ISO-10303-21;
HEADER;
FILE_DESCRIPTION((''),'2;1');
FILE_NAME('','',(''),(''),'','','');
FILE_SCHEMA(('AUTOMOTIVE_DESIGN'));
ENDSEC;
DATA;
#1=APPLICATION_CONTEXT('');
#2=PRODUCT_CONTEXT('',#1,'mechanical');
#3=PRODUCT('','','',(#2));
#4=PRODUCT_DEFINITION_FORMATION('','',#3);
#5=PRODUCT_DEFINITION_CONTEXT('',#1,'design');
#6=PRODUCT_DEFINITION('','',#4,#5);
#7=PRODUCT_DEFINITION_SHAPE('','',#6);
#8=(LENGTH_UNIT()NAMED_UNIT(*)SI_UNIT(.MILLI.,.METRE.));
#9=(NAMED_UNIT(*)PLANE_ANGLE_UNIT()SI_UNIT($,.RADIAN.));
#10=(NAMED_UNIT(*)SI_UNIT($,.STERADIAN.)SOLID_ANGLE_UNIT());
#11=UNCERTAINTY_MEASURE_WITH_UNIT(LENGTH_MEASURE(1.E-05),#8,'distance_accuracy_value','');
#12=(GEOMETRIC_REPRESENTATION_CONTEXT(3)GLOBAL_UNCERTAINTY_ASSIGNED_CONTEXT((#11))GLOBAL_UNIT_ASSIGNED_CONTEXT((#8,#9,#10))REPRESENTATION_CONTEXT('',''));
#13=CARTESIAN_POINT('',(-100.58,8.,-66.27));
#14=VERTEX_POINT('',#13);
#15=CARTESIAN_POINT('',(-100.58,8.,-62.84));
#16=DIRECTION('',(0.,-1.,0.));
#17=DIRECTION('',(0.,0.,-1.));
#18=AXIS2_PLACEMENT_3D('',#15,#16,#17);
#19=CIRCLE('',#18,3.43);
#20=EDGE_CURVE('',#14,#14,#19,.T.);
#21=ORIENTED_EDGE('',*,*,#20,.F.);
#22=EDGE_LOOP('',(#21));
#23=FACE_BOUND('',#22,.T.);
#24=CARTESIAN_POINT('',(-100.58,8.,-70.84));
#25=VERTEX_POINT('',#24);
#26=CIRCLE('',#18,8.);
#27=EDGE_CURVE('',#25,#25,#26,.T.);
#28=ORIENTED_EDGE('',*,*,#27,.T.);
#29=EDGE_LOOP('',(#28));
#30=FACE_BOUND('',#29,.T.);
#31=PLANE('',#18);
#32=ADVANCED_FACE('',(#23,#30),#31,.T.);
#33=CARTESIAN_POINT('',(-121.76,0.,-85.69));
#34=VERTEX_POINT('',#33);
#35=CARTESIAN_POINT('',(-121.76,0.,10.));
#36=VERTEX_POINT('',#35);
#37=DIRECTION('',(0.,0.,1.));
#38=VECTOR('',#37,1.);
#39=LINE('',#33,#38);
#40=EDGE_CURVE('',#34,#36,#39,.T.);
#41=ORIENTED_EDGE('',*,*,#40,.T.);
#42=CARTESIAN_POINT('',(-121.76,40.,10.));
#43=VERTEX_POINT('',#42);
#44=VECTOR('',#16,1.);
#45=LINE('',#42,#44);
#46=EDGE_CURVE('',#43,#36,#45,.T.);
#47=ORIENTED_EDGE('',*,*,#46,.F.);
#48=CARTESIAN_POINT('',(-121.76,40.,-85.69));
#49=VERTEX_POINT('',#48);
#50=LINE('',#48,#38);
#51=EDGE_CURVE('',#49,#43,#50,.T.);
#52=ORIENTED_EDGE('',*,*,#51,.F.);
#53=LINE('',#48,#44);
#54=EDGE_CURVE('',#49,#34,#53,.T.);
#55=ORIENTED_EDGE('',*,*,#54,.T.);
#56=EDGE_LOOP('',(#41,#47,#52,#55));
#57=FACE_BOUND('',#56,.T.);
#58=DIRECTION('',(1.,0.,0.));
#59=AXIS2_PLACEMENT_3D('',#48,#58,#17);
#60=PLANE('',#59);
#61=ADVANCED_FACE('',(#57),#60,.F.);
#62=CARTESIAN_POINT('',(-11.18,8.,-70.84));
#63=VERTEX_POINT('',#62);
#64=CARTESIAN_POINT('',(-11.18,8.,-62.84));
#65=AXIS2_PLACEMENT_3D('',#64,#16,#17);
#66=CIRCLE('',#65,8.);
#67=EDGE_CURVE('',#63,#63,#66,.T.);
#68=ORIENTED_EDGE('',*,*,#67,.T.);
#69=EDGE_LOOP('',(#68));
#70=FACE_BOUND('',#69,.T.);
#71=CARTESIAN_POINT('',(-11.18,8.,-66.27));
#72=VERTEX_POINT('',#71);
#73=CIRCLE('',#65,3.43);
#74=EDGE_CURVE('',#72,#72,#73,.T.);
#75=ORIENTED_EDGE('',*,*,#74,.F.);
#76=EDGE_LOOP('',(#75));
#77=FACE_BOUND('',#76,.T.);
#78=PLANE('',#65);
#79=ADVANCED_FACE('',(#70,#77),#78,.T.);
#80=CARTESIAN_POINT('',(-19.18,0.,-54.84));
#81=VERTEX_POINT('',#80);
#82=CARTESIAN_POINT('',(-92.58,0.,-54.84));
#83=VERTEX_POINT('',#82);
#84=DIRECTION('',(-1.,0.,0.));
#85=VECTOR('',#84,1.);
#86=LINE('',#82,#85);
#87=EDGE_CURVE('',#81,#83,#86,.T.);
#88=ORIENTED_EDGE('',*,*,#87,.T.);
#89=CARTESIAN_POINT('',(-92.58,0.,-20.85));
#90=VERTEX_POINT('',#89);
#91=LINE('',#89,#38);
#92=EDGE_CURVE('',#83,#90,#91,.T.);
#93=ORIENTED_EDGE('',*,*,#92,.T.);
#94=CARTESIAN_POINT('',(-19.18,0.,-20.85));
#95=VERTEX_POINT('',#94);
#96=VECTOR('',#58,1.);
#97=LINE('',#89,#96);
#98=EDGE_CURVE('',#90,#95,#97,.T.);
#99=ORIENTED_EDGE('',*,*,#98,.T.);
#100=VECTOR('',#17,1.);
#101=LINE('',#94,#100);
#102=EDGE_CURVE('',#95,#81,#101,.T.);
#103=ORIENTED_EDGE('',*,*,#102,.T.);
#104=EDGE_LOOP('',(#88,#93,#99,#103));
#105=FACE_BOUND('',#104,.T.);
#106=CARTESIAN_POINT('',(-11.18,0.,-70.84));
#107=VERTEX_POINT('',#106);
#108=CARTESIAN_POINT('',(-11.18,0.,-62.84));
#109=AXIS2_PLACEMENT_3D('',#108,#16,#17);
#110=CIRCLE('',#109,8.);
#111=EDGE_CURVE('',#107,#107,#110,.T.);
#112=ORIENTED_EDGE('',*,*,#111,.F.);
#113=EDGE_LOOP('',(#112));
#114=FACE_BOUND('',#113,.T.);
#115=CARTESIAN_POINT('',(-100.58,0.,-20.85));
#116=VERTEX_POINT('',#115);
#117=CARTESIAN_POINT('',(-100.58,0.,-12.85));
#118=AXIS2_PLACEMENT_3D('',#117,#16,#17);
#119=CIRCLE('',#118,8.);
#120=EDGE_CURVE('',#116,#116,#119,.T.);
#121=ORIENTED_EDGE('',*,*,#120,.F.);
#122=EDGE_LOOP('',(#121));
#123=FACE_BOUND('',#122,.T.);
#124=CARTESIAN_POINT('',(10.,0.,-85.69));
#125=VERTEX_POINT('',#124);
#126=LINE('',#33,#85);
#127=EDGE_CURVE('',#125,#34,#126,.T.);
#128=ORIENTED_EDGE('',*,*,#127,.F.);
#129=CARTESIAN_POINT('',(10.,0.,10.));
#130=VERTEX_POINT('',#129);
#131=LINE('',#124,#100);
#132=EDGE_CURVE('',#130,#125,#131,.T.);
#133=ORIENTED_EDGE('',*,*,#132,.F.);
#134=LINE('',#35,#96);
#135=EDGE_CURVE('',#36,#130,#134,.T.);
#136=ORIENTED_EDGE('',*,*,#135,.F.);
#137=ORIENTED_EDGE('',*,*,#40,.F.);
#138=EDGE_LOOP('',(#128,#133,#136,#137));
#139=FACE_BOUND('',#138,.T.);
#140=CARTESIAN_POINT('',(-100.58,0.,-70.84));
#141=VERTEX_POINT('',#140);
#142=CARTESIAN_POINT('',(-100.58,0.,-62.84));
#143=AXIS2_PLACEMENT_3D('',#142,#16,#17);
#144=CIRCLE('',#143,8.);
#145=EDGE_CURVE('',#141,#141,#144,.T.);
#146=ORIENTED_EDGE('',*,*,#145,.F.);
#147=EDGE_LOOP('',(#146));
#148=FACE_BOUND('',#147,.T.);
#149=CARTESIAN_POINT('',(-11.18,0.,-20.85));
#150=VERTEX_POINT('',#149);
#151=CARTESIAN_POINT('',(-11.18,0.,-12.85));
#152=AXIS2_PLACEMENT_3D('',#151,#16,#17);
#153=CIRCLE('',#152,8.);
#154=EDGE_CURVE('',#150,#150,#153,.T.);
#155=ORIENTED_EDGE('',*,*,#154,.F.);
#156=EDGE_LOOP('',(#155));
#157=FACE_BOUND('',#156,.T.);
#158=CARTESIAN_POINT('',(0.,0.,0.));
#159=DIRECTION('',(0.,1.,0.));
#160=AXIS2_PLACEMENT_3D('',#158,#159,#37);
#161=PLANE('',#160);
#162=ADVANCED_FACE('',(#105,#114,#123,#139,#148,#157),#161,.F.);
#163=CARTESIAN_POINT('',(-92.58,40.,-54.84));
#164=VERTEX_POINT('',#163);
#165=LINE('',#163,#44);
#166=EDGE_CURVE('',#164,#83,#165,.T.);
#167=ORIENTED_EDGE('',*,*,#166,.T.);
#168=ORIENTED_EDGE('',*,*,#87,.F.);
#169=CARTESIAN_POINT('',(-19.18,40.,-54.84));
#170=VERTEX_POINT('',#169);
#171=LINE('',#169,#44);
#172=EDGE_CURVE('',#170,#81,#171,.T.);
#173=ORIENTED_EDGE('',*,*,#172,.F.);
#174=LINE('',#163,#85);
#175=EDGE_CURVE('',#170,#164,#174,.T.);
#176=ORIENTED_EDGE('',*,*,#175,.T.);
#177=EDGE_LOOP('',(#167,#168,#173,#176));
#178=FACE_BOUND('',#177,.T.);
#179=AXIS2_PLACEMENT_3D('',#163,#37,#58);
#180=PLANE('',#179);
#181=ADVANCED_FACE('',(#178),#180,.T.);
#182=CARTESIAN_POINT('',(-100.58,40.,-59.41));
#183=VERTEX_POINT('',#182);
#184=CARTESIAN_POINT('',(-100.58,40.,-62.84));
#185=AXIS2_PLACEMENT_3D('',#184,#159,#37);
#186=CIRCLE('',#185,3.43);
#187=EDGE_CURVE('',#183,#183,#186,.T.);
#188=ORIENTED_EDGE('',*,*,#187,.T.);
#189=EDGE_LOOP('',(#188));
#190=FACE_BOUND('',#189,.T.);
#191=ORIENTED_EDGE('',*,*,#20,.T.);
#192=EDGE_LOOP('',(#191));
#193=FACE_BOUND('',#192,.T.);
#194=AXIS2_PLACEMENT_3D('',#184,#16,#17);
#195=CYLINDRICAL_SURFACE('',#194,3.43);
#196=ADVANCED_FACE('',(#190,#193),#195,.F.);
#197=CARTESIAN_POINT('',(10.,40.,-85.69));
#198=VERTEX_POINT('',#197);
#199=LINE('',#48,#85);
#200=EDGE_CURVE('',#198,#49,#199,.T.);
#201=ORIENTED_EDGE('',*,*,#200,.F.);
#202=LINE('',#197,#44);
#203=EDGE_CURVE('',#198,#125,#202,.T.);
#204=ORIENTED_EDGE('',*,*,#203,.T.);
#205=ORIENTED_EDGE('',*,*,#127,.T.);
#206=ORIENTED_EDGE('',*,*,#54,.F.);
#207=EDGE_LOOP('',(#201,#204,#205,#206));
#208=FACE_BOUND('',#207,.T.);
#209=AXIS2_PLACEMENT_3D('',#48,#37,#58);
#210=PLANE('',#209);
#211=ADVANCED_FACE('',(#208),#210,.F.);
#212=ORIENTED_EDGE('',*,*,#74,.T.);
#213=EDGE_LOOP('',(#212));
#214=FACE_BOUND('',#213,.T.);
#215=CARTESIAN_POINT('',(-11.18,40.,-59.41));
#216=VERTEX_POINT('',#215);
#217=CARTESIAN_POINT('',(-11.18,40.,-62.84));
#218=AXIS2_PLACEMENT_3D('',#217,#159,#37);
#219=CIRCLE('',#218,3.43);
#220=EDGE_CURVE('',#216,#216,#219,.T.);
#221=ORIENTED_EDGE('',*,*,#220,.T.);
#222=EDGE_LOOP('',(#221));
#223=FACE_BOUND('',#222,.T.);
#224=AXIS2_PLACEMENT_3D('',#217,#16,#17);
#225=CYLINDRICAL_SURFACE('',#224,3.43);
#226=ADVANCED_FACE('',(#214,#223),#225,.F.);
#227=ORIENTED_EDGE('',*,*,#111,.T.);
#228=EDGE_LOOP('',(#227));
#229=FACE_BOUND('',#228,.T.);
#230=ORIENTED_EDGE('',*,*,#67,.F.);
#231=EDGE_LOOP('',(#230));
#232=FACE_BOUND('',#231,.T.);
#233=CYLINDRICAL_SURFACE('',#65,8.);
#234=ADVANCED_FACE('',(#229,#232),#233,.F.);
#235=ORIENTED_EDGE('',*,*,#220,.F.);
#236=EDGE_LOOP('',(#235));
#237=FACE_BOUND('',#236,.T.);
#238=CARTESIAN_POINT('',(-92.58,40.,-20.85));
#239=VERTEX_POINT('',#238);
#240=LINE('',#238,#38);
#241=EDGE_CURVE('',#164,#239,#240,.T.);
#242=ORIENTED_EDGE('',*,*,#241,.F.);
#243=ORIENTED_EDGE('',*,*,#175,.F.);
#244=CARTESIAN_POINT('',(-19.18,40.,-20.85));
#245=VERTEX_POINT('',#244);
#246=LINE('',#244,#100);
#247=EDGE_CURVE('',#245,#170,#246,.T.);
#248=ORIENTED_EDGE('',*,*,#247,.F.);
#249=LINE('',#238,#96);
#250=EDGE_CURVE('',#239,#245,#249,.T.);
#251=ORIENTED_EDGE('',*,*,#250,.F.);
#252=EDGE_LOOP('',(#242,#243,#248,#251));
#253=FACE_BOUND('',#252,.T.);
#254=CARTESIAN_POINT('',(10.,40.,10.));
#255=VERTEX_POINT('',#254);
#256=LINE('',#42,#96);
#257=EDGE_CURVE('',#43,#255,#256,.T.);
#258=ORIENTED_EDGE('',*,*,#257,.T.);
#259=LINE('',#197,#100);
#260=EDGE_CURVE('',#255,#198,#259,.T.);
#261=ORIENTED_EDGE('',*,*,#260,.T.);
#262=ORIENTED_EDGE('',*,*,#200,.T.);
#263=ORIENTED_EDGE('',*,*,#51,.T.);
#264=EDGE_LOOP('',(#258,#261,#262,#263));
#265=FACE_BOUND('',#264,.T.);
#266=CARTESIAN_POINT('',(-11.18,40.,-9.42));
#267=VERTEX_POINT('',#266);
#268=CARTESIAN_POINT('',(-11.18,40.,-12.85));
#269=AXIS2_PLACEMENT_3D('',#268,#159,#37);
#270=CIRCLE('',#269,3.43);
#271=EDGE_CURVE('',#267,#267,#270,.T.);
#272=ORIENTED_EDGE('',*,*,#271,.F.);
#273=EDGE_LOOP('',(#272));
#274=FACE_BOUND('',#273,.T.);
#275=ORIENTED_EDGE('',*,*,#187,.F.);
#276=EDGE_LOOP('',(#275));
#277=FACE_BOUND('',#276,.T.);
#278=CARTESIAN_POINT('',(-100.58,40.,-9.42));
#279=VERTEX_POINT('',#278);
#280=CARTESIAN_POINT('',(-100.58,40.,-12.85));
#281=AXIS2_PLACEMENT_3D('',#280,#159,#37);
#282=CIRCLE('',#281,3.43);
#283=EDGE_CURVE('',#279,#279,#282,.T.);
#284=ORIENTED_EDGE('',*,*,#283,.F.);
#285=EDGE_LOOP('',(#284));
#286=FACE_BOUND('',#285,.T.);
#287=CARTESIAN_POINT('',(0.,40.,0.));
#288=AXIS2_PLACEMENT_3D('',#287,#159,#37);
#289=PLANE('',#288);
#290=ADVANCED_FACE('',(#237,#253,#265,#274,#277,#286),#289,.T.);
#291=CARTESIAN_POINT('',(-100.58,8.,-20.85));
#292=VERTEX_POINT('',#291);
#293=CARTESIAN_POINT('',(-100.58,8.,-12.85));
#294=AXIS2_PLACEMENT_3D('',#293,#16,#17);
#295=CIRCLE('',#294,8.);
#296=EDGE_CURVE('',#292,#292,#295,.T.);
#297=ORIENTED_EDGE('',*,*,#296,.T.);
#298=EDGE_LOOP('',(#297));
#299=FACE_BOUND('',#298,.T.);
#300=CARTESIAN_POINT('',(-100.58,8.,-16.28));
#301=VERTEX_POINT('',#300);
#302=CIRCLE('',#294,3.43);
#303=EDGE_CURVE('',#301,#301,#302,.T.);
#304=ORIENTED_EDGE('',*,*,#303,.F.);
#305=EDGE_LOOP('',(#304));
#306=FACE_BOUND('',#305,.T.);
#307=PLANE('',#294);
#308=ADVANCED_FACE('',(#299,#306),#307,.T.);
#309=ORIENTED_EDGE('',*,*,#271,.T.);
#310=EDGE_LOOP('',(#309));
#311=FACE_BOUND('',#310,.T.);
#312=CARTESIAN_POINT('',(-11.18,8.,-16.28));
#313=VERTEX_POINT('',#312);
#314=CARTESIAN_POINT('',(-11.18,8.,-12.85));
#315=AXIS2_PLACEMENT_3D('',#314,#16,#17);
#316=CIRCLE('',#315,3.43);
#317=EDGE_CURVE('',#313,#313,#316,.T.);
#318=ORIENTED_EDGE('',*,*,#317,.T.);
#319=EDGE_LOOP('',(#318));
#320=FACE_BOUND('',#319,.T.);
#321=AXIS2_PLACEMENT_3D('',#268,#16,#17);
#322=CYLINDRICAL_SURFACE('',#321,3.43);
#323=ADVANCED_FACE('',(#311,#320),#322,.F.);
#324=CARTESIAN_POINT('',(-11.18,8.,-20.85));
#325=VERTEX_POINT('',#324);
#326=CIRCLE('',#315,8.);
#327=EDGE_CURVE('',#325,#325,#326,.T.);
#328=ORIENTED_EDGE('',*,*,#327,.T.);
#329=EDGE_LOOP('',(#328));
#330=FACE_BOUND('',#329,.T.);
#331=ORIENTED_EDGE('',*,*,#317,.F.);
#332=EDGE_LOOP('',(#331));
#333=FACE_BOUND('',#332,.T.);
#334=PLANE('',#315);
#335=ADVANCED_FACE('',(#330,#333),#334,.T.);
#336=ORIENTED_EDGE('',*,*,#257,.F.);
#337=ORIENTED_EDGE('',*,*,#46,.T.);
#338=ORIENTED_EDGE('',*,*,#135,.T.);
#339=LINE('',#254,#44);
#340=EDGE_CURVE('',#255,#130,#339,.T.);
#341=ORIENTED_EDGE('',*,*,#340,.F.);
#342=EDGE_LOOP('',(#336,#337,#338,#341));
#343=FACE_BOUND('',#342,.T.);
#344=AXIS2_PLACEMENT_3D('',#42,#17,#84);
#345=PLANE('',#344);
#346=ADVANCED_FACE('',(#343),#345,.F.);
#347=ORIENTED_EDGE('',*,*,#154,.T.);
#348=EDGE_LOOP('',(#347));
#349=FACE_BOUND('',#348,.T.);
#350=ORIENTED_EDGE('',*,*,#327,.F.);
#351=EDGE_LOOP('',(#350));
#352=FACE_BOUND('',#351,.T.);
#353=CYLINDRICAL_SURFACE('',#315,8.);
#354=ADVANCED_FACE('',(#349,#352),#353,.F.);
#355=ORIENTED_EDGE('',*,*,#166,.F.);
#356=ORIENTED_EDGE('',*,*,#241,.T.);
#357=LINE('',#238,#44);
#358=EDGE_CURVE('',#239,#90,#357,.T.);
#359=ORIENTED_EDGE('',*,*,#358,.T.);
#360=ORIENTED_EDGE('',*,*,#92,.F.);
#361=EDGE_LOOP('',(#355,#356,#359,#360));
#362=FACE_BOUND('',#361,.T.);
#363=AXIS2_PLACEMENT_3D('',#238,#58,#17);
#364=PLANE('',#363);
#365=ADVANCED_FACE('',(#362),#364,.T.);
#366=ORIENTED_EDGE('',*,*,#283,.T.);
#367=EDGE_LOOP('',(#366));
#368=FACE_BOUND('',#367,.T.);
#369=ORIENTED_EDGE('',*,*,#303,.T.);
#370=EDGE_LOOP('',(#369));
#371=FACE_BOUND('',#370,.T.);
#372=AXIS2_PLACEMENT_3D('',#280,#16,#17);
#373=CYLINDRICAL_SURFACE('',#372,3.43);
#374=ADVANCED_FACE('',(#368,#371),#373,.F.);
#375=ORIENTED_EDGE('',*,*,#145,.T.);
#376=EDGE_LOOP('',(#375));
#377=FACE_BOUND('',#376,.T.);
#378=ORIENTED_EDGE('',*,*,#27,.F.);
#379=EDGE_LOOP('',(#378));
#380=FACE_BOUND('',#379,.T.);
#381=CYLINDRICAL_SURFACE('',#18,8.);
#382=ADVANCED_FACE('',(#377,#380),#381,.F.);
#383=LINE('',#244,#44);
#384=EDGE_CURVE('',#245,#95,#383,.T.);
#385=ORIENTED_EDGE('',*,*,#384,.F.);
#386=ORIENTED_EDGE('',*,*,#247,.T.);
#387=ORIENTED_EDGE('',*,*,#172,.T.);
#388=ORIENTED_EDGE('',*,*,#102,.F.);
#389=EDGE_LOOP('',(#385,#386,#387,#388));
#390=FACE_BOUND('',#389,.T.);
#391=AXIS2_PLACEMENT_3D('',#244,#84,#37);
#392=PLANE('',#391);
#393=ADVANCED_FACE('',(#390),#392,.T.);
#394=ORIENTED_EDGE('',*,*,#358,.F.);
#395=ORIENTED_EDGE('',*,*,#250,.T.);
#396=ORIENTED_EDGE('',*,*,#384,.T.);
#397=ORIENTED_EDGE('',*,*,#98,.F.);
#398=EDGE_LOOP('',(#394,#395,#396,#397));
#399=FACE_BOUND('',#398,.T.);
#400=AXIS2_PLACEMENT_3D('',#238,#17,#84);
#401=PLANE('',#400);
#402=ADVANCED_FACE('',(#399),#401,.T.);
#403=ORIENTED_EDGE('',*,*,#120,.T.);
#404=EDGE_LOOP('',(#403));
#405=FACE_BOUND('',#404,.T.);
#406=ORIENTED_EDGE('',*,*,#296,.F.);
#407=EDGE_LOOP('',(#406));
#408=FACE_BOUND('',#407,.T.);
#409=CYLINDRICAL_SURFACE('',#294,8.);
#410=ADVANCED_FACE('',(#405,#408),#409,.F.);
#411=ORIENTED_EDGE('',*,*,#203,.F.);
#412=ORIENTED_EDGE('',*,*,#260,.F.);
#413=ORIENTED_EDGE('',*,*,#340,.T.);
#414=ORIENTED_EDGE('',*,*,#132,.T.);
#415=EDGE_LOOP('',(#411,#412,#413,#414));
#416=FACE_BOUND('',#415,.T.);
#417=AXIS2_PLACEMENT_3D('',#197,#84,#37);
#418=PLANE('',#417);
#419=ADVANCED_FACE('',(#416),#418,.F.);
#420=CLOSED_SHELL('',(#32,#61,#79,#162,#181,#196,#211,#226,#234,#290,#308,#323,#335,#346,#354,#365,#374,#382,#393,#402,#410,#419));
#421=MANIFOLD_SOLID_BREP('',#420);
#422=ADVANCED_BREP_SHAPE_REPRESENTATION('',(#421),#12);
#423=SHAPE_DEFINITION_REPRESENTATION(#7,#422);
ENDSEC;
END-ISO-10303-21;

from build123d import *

# Parameters (mm, degrees)
SKETCH8_W           = 131.76
SKETCH8_H           = 95.69
SKETCH8_R           = 3.43
SKETCH8_W_2         = 73.4
SKETCH8_H_2         = 33.99
BOSS_EXTRUDE4_DEPTH = 40
SKETCH9_R           = 8
CUT_EXTRUDE2_DEPTH  = 8


with BuildPart() as part:
    # Sketch8 → Boss-Extrude4 (new body)
    with BuildSketch(Plane(origin=(0, 0, 0), x_dir=(1, 0, 0), z_dir=(0, 1, 0))):
        with Locations((-55.88, 37.845)):
            Rectangle(SKETCH8_W, SKETCH8_H)
        with Locations((-100.58, 12.85)):
            Circle(SKETCH8_R, mode=Mode.SUBTRACT)
        with Locations((-100.58, 62.84)):
            Circle(SKETCH8_R, mode=Mode.SUBTRACT)
        with Locations((-11.18, 62.84)):
            Circle(SKETCH8_R, mode=Mode.SUBTRACT)
        with Locations((-11.18, 12.85)):
            Circle(SKETCH8_R, mode=Mode.SUBTRACT)
        with Locations((-55.88, 37.845)):
            Rectangle(SKETCH8_W_2, SKETCH8_H_2, mode=Mode.SUBTRACT)
    extrude(amount=BOSS_EXTRUDE4_DEPTH)

    # Sketch9 → Cut-Extrude2 (cut)
    with BuildSketch(Plane.XZ):
        with Locations((-100.58, -12.85)):
            Circle(SKETCH9_R)
        with Locations((-11.18, -12.85)):
            Circle(SKETCH9_R)
        with Locations((-11.18, -62.84)):
            Circle(SKETCH9_R)
        with Locations((-100.58, -62.84)):
            Circle(SKETCH9_R)
    extrude(amount=-CUT_EXTRUDE2_DEPTH, mode=Mode.SUBTRACT)


solid = part.part
